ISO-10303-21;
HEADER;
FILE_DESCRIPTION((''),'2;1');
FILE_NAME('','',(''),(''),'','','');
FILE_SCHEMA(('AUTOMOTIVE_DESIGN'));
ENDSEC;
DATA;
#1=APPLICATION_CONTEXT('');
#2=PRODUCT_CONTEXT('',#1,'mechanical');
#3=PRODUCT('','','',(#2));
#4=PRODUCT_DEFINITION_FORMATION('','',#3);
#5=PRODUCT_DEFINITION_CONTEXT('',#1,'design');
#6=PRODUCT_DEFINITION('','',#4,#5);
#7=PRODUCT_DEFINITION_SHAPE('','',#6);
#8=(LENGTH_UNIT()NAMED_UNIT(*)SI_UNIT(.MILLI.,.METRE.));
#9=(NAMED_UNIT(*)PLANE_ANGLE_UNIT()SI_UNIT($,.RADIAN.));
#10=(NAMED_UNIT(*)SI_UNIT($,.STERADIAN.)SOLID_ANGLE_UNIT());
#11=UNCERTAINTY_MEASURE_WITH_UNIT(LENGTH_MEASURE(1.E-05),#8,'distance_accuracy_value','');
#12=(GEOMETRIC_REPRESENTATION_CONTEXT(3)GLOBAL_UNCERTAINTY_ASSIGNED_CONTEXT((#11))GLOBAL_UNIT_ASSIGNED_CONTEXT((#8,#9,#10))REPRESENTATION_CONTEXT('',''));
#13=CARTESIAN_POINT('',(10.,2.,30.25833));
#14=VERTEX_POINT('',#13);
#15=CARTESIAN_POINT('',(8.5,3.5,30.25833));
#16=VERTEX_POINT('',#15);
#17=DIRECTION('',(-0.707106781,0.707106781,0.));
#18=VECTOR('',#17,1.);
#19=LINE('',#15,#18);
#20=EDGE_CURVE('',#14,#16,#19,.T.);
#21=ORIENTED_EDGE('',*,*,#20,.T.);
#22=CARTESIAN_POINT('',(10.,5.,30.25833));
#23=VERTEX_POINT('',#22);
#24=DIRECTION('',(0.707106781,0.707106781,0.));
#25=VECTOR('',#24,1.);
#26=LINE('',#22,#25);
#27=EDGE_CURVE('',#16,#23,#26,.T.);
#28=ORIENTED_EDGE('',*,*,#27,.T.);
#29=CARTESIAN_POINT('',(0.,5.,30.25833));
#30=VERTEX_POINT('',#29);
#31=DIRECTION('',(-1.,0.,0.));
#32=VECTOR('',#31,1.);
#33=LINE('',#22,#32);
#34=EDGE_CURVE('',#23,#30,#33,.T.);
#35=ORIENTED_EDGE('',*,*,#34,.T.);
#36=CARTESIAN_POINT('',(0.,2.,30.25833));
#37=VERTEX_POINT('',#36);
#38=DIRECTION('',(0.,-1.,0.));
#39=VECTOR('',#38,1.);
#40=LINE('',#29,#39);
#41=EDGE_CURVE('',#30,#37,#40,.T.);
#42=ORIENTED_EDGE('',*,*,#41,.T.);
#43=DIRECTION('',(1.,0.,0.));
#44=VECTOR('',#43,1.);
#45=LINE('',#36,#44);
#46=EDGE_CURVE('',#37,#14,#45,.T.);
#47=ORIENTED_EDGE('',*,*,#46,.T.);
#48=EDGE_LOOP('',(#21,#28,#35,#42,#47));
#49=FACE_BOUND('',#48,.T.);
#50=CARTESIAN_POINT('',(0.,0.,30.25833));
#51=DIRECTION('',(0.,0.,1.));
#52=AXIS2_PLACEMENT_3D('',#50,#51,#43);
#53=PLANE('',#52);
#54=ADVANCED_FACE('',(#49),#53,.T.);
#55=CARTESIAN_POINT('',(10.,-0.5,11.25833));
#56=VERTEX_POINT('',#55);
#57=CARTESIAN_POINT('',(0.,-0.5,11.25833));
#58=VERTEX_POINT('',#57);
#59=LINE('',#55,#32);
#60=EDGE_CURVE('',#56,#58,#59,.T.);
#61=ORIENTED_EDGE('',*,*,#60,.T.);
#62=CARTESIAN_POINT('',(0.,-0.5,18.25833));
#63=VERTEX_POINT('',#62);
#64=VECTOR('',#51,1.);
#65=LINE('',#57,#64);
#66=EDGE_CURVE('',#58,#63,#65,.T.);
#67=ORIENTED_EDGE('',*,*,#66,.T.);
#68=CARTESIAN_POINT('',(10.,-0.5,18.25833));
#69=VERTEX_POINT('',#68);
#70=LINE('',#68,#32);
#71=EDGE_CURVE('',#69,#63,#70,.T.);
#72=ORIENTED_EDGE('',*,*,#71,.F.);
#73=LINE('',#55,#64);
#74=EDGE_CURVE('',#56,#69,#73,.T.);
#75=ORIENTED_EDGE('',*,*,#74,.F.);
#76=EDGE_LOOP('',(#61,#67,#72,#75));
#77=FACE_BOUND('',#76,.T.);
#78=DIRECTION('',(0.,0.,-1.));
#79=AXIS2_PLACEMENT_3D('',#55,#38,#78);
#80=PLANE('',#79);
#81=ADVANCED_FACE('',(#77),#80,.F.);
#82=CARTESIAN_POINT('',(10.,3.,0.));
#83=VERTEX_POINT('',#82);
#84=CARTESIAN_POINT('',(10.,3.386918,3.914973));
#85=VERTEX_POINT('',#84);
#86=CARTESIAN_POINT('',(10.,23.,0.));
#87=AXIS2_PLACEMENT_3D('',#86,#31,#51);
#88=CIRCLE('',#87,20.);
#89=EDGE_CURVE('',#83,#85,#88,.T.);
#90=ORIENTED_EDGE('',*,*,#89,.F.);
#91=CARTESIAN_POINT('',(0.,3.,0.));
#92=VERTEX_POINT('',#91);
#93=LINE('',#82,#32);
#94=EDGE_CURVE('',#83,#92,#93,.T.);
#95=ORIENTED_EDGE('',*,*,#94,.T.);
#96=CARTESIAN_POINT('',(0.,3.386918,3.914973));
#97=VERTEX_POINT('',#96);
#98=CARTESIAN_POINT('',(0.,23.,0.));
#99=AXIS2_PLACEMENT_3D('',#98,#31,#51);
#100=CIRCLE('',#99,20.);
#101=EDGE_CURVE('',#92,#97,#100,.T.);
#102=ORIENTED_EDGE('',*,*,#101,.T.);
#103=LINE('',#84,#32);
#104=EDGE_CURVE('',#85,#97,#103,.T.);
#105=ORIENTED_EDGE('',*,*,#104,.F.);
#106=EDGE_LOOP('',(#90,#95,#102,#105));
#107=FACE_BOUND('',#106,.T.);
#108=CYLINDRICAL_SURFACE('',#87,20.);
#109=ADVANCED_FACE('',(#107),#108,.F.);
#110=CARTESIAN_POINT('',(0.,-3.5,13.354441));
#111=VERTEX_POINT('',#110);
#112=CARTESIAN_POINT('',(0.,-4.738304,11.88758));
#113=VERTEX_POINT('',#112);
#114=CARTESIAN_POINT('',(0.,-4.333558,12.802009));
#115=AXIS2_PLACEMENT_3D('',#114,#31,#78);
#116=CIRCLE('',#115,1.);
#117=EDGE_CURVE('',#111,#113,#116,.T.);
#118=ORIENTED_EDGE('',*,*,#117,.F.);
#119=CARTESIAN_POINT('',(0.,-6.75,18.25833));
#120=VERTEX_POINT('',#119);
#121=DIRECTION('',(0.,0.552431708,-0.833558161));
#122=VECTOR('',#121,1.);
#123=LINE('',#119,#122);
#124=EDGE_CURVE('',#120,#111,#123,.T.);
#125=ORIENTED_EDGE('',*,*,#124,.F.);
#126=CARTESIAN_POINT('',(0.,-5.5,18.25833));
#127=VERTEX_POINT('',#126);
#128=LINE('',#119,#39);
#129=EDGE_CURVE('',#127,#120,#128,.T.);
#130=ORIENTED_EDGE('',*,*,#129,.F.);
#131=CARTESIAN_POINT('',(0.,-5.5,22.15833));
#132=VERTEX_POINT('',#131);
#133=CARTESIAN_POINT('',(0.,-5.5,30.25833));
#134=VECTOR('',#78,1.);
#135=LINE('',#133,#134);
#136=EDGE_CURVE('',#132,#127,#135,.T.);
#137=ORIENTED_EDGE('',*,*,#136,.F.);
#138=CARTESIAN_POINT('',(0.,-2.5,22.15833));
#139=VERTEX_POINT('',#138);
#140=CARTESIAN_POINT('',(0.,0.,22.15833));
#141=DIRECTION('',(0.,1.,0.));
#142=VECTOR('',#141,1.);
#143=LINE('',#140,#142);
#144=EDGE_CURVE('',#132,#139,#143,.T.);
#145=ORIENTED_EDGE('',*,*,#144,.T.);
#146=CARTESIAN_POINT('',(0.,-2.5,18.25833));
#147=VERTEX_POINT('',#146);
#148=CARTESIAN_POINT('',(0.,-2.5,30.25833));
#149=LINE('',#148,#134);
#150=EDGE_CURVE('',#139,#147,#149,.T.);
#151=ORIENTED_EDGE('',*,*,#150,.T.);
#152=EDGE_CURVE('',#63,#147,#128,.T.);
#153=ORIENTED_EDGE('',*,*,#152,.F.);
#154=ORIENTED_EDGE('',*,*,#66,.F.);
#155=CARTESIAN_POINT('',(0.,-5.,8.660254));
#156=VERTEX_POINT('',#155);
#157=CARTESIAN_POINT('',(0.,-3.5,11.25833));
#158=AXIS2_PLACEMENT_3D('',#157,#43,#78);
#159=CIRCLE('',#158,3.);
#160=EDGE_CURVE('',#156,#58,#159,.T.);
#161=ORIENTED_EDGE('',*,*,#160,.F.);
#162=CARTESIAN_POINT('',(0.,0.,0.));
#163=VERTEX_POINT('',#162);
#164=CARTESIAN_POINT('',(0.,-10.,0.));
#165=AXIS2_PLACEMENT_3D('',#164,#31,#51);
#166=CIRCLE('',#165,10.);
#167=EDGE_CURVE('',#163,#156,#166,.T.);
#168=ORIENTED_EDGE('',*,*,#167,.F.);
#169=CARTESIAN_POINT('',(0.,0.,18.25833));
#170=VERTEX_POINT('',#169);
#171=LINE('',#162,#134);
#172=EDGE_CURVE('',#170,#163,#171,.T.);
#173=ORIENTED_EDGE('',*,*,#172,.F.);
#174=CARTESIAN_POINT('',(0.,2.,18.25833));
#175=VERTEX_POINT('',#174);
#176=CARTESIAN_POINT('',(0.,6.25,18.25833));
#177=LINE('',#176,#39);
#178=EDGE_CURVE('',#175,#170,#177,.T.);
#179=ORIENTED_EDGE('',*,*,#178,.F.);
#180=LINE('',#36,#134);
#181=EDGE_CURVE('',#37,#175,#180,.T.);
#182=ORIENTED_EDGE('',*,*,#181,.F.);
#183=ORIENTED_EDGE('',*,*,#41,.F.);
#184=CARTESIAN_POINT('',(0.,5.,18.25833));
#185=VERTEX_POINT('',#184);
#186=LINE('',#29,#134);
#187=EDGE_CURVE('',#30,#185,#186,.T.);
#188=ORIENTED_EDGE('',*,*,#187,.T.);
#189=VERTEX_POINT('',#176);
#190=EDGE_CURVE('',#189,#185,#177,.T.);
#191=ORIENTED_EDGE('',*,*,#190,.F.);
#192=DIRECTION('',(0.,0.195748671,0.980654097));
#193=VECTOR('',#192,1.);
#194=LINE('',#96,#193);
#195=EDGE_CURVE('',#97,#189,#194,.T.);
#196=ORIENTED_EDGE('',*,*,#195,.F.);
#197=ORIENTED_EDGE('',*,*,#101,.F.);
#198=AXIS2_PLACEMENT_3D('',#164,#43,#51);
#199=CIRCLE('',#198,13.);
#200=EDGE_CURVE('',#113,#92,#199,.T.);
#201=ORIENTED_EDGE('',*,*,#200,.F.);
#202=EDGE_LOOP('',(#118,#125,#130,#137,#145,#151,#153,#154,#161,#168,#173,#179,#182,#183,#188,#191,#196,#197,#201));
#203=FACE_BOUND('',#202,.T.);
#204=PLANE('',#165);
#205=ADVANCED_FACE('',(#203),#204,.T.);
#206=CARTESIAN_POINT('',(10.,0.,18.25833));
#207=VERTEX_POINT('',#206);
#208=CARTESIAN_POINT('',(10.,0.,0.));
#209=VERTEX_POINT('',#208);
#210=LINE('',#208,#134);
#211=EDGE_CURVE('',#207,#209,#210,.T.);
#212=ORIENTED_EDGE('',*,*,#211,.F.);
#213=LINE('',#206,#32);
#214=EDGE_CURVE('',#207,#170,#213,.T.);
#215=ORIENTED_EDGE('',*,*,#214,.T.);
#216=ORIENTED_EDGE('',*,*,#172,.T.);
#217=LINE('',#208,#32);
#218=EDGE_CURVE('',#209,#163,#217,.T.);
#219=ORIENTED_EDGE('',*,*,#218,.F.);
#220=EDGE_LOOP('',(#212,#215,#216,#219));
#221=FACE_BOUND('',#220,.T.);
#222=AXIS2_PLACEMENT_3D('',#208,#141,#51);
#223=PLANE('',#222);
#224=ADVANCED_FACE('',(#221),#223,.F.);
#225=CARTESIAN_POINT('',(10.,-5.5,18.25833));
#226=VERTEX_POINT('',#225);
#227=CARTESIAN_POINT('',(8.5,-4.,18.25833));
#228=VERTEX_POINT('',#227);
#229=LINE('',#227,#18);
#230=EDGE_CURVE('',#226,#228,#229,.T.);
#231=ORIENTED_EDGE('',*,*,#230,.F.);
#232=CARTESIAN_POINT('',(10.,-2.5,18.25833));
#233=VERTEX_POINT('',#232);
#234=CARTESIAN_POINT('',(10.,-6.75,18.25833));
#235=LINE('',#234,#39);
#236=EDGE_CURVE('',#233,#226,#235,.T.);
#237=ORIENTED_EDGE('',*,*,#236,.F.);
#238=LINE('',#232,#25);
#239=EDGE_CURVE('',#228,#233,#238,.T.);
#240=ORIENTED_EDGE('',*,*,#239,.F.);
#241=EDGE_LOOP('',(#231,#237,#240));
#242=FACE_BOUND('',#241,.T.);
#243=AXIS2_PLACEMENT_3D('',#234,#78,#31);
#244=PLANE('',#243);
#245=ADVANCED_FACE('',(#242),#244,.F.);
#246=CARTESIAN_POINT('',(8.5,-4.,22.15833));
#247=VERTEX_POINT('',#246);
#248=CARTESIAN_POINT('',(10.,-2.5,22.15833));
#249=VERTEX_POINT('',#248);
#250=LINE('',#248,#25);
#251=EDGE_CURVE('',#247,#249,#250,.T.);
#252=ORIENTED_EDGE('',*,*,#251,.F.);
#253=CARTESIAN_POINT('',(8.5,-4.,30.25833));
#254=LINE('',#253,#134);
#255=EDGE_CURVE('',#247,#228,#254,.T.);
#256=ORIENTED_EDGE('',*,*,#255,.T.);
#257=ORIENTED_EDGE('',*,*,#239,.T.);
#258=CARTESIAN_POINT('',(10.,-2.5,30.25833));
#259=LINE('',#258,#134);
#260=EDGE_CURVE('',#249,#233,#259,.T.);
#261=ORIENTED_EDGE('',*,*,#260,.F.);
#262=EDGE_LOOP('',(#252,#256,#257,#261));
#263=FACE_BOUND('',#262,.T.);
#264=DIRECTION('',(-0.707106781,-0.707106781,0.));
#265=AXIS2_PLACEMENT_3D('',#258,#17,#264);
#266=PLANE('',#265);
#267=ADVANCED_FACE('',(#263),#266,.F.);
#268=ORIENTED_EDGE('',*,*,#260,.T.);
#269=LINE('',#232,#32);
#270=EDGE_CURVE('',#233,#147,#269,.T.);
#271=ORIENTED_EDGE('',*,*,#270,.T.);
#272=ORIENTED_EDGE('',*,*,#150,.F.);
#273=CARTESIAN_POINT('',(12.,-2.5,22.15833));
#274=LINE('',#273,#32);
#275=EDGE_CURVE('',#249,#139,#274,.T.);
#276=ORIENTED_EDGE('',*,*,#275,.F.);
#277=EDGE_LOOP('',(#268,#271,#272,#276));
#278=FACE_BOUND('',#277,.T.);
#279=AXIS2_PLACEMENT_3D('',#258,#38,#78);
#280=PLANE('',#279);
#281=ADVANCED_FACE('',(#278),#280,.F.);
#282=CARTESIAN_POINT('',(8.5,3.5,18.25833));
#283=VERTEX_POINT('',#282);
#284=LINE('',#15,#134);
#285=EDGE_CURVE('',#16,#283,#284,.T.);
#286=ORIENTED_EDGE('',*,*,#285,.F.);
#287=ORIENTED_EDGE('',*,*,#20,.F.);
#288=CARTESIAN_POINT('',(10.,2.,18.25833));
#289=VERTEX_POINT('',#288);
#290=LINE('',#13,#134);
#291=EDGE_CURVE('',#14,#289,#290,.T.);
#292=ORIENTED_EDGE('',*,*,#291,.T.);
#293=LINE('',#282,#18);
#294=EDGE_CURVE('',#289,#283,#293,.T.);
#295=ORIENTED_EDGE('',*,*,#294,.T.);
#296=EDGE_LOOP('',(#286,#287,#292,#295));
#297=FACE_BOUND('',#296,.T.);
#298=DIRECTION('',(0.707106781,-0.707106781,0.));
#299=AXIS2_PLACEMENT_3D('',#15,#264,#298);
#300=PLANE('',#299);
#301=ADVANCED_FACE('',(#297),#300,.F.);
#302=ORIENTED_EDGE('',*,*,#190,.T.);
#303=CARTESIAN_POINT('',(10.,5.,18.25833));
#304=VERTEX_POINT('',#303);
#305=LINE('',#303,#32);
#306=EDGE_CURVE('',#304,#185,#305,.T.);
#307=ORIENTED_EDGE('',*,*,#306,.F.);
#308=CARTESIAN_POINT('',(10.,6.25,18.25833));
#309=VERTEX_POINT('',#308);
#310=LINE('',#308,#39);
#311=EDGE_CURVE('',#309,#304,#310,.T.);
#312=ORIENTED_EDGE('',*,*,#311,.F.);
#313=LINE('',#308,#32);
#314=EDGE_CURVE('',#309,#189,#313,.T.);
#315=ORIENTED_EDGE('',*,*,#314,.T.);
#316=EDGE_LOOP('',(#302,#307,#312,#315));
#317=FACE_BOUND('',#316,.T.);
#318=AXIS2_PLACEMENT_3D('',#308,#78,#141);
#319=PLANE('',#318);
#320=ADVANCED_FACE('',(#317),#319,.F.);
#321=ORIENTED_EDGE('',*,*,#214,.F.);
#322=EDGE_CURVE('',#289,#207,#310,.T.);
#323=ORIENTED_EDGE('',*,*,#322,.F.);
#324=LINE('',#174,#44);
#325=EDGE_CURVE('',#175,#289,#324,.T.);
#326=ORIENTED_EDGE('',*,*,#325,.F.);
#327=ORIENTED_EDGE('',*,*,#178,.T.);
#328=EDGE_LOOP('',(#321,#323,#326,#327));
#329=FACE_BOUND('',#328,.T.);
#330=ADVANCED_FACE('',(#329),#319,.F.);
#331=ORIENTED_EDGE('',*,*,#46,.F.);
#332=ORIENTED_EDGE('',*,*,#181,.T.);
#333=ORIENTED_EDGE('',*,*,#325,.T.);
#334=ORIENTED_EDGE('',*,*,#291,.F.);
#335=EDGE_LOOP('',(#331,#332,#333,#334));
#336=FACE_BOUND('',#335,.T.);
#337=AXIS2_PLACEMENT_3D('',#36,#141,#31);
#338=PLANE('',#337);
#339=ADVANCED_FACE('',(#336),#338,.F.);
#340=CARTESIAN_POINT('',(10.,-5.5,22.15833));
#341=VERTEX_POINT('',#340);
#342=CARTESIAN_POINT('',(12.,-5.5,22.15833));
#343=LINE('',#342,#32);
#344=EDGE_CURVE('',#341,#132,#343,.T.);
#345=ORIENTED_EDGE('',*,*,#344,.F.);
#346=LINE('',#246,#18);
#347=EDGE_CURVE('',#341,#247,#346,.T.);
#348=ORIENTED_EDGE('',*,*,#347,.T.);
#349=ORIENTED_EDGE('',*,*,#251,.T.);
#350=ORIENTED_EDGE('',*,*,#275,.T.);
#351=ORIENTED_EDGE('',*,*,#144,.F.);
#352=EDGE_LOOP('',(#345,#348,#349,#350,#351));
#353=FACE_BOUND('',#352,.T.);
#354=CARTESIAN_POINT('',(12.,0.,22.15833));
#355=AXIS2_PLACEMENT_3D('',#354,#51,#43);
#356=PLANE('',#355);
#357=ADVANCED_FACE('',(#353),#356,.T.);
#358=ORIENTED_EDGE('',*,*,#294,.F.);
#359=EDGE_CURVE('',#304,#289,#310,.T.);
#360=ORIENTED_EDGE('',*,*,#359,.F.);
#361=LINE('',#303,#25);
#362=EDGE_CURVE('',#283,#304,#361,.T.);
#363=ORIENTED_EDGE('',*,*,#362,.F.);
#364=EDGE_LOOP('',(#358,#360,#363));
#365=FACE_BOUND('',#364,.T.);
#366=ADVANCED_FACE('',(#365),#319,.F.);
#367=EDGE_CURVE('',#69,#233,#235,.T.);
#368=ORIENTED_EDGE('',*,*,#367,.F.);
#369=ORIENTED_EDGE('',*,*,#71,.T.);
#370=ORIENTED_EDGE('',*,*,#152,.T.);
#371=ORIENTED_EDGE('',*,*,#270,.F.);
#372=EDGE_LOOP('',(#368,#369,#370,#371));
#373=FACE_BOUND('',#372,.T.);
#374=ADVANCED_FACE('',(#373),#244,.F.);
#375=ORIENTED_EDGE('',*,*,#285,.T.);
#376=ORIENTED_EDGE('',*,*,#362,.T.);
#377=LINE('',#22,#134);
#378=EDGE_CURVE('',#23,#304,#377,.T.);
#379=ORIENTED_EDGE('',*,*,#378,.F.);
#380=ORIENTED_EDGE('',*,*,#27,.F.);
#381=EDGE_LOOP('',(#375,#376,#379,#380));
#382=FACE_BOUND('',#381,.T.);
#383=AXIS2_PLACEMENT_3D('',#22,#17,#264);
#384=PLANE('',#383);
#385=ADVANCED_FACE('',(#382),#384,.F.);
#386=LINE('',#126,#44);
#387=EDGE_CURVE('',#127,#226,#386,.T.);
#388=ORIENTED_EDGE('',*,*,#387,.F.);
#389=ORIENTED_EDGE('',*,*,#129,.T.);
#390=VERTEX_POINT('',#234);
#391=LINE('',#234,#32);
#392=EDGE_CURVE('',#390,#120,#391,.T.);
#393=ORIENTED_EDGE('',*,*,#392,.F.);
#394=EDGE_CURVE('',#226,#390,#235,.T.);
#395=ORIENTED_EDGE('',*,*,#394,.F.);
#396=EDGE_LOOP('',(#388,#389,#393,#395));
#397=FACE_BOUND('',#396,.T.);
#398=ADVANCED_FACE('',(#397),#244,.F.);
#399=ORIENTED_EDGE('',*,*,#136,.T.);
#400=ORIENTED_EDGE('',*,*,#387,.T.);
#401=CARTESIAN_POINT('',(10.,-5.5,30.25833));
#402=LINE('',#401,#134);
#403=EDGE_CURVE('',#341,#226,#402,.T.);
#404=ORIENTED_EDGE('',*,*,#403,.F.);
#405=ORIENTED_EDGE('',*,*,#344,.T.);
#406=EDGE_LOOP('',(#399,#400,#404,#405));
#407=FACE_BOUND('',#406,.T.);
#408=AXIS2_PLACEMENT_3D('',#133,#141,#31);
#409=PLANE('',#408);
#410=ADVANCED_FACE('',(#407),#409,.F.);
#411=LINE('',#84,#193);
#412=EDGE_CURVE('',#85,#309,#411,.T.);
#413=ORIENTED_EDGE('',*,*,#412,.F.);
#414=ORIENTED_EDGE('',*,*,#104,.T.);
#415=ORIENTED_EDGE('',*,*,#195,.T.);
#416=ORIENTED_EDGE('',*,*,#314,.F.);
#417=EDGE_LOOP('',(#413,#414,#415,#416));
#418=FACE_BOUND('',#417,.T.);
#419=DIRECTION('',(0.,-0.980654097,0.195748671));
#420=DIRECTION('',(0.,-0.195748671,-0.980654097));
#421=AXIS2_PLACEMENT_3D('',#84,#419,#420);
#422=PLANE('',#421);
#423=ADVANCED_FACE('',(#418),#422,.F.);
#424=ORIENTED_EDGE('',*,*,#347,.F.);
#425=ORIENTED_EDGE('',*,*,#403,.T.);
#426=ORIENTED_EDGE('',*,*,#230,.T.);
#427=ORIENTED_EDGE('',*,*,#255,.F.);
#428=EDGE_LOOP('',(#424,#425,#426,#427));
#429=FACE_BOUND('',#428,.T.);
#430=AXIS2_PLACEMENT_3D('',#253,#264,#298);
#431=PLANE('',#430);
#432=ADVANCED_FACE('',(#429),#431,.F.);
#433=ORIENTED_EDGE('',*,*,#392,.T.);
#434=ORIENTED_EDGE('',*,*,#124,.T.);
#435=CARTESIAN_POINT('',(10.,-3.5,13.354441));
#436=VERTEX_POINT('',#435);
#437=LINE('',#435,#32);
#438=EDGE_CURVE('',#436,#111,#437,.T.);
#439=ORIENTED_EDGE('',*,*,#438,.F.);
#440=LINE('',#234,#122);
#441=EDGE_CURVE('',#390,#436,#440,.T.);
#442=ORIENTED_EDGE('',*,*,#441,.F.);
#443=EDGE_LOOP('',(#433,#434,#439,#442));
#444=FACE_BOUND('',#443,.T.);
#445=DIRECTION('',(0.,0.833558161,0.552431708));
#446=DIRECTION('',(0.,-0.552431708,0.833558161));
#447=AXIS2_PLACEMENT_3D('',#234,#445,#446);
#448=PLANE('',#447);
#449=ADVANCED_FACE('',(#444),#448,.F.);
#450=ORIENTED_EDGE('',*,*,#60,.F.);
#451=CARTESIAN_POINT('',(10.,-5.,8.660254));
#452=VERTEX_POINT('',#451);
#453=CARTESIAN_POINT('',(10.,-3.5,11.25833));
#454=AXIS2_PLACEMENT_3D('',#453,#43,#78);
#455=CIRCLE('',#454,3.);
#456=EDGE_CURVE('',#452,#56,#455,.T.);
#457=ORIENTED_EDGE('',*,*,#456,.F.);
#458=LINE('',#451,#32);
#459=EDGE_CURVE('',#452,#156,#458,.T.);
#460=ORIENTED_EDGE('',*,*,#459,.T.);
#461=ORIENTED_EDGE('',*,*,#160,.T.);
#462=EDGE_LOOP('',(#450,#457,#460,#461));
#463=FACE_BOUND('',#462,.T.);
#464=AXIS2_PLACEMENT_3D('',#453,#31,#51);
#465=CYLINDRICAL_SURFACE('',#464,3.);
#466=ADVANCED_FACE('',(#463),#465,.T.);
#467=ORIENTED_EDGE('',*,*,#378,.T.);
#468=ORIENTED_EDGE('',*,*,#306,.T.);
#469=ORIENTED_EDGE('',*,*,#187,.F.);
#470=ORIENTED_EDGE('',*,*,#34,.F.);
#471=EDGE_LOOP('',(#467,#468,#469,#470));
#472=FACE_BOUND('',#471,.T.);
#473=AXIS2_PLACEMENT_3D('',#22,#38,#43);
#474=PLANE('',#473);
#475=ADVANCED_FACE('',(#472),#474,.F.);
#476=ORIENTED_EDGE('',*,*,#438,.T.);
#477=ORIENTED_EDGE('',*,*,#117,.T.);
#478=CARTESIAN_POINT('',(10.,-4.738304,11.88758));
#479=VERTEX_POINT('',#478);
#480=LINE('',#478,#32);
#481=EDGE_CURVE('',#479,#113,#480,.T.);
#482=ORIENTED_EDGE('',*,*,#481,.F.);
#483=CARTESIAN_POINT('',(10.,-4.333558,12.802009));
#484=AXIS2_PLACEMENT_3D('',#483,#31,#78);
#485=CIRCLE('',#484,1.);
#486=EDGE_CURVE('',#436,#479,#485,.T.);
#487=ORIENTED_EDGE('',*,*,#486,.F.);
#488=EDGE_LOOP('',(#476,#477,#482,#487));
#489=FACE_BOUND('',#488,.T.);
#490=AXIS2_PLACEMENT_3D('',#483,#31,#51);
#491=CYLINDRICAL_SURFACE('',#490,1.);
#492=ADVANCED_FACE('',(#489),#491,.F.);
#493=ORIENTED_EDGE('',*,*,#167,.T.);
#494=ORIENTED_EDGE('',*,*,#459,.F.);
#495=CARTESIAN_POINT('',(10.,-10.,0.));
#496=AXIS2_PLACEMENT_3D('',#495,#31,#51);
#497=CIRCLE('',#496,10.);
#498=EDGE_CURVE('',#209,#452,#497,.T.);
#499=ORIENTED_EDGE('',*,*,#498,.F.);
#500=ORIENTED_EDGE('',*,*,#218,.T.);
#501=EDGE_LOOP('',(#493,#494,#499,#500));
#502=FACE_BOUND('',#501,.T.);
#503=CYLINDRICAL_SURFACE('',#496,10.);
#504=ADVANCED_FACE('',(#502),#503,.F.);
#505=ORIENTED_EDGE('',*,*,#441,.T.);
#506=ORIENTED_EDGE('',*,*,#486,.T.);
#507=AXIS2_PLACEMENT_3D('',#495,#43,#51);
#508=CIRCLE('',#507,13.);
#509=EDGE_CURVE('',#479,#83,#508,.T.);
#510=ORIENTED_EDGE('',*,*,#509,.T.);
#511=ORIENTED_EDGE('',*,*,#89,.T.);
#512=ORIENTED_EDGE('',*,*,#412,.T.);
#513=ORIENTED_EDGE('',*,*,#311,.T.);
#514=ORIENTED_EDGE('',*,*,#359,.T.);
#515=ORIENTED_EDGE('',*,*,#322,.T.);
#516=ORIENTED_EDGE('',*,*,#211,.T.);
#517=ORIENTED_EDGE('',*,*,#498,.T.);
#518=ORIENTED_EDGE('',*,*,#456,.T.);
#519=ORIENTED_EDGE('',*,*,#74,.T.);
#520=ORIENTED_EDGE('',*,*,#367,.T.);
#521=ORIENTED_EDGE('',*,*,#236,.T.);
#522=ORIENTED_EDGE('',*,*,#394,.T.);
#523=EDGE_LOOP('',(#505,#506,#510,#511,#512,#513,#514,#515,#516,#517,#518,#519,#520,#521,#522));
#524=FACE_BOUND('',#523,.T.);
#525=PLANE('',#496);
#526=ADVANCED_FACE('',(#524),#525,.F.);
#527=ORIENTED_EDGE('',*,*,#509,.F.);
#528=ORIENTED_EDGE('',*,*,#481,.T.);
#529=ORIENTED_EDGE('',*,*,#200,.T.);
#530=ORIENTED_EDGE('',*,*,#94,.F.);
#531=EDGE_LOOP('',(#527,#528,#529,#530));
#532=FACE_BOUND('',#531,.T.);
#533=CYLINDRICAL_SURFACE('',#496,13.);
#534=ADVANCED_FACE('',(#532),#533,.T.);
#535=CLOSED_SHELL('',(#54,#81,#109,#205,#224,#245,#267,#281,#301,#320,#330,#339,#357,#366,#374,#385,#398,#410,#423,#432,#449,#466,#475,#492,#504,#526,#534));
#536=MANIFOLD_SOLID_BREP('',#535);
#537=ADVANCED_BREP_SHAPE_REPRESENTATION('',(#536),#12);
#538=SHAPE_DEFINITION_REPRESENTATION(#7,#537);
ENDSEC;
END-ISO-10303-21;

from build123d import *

# Parameters (mm, degrees)
BOSS_EXTRUDE1_DEPTH = 10
BOSS_EXTRUDE4_DEPTH = 12
SKETCH6_W           = 8.1
SKETCH6_H           = 3
CUT_EXTRUDE2_DEPTH  = 12


with BuildPart() as part:
    # Sketch1 → Boss-Extrude1 (new body)
    with BuildSketch(Plane(origin=(0, 0, 0), x_dir=(0, 0, -1), z_dir=(1, 0, 0))):
        with BuildLine():
            Line((-11.258330249, -0.5), (-18.258330249, -0.5))
            Line((-18.258330249, -0.5), (-18.258330249, -6.75))
            Line((-18.258330249, -6.75), (-13.354440804, -3.5))
            ThreePointArc((-13.354440804, -3.5), (-12.156943399, -3.569431047), (-11.887579875, -4.738304007))
            ThreePointArc((-11.887579875, -4.738304007), (7.092177102, -20.894999952), (0, 3))
            ThreePointArc((0, 3), (-1.967023285, 3.096964568), (-3.914973414, 3.38691806))
            Line((-3.914973414, 3.38691806), (-18.258330249, 6.25))
            Line((-18.258330249, 6.25), (-18.258330249, 0))
            Line((-18.258330249, 0), (0, 0))
            ThreePointArc((0, 0), (5, -18.660254038), (-8.660254038, -5))
            ThreePointArc((-8.660254038, -5), (-8.660254038, -2), (-11.258330249, -0.5))
        make_face()
    extrude(amount=BOSS_EXTRUDE1_DEPTH)

    # Sketch2 → Boss-Extrude4 (add)
    with BuildSketch(Plane.XY.offset(18.258330249)):
        Polygon((0, 2), (10, 2), (8.5, 3.5), (10, 5), (0, 5), align=None)
        Polygon((0, -5.5), (10, -5.5), (8.5, -4), (10, -2.5), (0, -2.5), align=None)
    extrude(amount=BOSS_EXTRUDE4_DEPTH)

    # Sketch6 → Cut-Extrude2 (cut)
    with BuildSketch(Plane.ZY):
        with Locations((26.208330249, -4)):
            Rectangle(SKETCH6_W, SKETCH6_H)
    extrude(amount=-CUT_EXTRUDE2_DEPTH, mode=Mode.SUBTRACT)


solid = part.part
